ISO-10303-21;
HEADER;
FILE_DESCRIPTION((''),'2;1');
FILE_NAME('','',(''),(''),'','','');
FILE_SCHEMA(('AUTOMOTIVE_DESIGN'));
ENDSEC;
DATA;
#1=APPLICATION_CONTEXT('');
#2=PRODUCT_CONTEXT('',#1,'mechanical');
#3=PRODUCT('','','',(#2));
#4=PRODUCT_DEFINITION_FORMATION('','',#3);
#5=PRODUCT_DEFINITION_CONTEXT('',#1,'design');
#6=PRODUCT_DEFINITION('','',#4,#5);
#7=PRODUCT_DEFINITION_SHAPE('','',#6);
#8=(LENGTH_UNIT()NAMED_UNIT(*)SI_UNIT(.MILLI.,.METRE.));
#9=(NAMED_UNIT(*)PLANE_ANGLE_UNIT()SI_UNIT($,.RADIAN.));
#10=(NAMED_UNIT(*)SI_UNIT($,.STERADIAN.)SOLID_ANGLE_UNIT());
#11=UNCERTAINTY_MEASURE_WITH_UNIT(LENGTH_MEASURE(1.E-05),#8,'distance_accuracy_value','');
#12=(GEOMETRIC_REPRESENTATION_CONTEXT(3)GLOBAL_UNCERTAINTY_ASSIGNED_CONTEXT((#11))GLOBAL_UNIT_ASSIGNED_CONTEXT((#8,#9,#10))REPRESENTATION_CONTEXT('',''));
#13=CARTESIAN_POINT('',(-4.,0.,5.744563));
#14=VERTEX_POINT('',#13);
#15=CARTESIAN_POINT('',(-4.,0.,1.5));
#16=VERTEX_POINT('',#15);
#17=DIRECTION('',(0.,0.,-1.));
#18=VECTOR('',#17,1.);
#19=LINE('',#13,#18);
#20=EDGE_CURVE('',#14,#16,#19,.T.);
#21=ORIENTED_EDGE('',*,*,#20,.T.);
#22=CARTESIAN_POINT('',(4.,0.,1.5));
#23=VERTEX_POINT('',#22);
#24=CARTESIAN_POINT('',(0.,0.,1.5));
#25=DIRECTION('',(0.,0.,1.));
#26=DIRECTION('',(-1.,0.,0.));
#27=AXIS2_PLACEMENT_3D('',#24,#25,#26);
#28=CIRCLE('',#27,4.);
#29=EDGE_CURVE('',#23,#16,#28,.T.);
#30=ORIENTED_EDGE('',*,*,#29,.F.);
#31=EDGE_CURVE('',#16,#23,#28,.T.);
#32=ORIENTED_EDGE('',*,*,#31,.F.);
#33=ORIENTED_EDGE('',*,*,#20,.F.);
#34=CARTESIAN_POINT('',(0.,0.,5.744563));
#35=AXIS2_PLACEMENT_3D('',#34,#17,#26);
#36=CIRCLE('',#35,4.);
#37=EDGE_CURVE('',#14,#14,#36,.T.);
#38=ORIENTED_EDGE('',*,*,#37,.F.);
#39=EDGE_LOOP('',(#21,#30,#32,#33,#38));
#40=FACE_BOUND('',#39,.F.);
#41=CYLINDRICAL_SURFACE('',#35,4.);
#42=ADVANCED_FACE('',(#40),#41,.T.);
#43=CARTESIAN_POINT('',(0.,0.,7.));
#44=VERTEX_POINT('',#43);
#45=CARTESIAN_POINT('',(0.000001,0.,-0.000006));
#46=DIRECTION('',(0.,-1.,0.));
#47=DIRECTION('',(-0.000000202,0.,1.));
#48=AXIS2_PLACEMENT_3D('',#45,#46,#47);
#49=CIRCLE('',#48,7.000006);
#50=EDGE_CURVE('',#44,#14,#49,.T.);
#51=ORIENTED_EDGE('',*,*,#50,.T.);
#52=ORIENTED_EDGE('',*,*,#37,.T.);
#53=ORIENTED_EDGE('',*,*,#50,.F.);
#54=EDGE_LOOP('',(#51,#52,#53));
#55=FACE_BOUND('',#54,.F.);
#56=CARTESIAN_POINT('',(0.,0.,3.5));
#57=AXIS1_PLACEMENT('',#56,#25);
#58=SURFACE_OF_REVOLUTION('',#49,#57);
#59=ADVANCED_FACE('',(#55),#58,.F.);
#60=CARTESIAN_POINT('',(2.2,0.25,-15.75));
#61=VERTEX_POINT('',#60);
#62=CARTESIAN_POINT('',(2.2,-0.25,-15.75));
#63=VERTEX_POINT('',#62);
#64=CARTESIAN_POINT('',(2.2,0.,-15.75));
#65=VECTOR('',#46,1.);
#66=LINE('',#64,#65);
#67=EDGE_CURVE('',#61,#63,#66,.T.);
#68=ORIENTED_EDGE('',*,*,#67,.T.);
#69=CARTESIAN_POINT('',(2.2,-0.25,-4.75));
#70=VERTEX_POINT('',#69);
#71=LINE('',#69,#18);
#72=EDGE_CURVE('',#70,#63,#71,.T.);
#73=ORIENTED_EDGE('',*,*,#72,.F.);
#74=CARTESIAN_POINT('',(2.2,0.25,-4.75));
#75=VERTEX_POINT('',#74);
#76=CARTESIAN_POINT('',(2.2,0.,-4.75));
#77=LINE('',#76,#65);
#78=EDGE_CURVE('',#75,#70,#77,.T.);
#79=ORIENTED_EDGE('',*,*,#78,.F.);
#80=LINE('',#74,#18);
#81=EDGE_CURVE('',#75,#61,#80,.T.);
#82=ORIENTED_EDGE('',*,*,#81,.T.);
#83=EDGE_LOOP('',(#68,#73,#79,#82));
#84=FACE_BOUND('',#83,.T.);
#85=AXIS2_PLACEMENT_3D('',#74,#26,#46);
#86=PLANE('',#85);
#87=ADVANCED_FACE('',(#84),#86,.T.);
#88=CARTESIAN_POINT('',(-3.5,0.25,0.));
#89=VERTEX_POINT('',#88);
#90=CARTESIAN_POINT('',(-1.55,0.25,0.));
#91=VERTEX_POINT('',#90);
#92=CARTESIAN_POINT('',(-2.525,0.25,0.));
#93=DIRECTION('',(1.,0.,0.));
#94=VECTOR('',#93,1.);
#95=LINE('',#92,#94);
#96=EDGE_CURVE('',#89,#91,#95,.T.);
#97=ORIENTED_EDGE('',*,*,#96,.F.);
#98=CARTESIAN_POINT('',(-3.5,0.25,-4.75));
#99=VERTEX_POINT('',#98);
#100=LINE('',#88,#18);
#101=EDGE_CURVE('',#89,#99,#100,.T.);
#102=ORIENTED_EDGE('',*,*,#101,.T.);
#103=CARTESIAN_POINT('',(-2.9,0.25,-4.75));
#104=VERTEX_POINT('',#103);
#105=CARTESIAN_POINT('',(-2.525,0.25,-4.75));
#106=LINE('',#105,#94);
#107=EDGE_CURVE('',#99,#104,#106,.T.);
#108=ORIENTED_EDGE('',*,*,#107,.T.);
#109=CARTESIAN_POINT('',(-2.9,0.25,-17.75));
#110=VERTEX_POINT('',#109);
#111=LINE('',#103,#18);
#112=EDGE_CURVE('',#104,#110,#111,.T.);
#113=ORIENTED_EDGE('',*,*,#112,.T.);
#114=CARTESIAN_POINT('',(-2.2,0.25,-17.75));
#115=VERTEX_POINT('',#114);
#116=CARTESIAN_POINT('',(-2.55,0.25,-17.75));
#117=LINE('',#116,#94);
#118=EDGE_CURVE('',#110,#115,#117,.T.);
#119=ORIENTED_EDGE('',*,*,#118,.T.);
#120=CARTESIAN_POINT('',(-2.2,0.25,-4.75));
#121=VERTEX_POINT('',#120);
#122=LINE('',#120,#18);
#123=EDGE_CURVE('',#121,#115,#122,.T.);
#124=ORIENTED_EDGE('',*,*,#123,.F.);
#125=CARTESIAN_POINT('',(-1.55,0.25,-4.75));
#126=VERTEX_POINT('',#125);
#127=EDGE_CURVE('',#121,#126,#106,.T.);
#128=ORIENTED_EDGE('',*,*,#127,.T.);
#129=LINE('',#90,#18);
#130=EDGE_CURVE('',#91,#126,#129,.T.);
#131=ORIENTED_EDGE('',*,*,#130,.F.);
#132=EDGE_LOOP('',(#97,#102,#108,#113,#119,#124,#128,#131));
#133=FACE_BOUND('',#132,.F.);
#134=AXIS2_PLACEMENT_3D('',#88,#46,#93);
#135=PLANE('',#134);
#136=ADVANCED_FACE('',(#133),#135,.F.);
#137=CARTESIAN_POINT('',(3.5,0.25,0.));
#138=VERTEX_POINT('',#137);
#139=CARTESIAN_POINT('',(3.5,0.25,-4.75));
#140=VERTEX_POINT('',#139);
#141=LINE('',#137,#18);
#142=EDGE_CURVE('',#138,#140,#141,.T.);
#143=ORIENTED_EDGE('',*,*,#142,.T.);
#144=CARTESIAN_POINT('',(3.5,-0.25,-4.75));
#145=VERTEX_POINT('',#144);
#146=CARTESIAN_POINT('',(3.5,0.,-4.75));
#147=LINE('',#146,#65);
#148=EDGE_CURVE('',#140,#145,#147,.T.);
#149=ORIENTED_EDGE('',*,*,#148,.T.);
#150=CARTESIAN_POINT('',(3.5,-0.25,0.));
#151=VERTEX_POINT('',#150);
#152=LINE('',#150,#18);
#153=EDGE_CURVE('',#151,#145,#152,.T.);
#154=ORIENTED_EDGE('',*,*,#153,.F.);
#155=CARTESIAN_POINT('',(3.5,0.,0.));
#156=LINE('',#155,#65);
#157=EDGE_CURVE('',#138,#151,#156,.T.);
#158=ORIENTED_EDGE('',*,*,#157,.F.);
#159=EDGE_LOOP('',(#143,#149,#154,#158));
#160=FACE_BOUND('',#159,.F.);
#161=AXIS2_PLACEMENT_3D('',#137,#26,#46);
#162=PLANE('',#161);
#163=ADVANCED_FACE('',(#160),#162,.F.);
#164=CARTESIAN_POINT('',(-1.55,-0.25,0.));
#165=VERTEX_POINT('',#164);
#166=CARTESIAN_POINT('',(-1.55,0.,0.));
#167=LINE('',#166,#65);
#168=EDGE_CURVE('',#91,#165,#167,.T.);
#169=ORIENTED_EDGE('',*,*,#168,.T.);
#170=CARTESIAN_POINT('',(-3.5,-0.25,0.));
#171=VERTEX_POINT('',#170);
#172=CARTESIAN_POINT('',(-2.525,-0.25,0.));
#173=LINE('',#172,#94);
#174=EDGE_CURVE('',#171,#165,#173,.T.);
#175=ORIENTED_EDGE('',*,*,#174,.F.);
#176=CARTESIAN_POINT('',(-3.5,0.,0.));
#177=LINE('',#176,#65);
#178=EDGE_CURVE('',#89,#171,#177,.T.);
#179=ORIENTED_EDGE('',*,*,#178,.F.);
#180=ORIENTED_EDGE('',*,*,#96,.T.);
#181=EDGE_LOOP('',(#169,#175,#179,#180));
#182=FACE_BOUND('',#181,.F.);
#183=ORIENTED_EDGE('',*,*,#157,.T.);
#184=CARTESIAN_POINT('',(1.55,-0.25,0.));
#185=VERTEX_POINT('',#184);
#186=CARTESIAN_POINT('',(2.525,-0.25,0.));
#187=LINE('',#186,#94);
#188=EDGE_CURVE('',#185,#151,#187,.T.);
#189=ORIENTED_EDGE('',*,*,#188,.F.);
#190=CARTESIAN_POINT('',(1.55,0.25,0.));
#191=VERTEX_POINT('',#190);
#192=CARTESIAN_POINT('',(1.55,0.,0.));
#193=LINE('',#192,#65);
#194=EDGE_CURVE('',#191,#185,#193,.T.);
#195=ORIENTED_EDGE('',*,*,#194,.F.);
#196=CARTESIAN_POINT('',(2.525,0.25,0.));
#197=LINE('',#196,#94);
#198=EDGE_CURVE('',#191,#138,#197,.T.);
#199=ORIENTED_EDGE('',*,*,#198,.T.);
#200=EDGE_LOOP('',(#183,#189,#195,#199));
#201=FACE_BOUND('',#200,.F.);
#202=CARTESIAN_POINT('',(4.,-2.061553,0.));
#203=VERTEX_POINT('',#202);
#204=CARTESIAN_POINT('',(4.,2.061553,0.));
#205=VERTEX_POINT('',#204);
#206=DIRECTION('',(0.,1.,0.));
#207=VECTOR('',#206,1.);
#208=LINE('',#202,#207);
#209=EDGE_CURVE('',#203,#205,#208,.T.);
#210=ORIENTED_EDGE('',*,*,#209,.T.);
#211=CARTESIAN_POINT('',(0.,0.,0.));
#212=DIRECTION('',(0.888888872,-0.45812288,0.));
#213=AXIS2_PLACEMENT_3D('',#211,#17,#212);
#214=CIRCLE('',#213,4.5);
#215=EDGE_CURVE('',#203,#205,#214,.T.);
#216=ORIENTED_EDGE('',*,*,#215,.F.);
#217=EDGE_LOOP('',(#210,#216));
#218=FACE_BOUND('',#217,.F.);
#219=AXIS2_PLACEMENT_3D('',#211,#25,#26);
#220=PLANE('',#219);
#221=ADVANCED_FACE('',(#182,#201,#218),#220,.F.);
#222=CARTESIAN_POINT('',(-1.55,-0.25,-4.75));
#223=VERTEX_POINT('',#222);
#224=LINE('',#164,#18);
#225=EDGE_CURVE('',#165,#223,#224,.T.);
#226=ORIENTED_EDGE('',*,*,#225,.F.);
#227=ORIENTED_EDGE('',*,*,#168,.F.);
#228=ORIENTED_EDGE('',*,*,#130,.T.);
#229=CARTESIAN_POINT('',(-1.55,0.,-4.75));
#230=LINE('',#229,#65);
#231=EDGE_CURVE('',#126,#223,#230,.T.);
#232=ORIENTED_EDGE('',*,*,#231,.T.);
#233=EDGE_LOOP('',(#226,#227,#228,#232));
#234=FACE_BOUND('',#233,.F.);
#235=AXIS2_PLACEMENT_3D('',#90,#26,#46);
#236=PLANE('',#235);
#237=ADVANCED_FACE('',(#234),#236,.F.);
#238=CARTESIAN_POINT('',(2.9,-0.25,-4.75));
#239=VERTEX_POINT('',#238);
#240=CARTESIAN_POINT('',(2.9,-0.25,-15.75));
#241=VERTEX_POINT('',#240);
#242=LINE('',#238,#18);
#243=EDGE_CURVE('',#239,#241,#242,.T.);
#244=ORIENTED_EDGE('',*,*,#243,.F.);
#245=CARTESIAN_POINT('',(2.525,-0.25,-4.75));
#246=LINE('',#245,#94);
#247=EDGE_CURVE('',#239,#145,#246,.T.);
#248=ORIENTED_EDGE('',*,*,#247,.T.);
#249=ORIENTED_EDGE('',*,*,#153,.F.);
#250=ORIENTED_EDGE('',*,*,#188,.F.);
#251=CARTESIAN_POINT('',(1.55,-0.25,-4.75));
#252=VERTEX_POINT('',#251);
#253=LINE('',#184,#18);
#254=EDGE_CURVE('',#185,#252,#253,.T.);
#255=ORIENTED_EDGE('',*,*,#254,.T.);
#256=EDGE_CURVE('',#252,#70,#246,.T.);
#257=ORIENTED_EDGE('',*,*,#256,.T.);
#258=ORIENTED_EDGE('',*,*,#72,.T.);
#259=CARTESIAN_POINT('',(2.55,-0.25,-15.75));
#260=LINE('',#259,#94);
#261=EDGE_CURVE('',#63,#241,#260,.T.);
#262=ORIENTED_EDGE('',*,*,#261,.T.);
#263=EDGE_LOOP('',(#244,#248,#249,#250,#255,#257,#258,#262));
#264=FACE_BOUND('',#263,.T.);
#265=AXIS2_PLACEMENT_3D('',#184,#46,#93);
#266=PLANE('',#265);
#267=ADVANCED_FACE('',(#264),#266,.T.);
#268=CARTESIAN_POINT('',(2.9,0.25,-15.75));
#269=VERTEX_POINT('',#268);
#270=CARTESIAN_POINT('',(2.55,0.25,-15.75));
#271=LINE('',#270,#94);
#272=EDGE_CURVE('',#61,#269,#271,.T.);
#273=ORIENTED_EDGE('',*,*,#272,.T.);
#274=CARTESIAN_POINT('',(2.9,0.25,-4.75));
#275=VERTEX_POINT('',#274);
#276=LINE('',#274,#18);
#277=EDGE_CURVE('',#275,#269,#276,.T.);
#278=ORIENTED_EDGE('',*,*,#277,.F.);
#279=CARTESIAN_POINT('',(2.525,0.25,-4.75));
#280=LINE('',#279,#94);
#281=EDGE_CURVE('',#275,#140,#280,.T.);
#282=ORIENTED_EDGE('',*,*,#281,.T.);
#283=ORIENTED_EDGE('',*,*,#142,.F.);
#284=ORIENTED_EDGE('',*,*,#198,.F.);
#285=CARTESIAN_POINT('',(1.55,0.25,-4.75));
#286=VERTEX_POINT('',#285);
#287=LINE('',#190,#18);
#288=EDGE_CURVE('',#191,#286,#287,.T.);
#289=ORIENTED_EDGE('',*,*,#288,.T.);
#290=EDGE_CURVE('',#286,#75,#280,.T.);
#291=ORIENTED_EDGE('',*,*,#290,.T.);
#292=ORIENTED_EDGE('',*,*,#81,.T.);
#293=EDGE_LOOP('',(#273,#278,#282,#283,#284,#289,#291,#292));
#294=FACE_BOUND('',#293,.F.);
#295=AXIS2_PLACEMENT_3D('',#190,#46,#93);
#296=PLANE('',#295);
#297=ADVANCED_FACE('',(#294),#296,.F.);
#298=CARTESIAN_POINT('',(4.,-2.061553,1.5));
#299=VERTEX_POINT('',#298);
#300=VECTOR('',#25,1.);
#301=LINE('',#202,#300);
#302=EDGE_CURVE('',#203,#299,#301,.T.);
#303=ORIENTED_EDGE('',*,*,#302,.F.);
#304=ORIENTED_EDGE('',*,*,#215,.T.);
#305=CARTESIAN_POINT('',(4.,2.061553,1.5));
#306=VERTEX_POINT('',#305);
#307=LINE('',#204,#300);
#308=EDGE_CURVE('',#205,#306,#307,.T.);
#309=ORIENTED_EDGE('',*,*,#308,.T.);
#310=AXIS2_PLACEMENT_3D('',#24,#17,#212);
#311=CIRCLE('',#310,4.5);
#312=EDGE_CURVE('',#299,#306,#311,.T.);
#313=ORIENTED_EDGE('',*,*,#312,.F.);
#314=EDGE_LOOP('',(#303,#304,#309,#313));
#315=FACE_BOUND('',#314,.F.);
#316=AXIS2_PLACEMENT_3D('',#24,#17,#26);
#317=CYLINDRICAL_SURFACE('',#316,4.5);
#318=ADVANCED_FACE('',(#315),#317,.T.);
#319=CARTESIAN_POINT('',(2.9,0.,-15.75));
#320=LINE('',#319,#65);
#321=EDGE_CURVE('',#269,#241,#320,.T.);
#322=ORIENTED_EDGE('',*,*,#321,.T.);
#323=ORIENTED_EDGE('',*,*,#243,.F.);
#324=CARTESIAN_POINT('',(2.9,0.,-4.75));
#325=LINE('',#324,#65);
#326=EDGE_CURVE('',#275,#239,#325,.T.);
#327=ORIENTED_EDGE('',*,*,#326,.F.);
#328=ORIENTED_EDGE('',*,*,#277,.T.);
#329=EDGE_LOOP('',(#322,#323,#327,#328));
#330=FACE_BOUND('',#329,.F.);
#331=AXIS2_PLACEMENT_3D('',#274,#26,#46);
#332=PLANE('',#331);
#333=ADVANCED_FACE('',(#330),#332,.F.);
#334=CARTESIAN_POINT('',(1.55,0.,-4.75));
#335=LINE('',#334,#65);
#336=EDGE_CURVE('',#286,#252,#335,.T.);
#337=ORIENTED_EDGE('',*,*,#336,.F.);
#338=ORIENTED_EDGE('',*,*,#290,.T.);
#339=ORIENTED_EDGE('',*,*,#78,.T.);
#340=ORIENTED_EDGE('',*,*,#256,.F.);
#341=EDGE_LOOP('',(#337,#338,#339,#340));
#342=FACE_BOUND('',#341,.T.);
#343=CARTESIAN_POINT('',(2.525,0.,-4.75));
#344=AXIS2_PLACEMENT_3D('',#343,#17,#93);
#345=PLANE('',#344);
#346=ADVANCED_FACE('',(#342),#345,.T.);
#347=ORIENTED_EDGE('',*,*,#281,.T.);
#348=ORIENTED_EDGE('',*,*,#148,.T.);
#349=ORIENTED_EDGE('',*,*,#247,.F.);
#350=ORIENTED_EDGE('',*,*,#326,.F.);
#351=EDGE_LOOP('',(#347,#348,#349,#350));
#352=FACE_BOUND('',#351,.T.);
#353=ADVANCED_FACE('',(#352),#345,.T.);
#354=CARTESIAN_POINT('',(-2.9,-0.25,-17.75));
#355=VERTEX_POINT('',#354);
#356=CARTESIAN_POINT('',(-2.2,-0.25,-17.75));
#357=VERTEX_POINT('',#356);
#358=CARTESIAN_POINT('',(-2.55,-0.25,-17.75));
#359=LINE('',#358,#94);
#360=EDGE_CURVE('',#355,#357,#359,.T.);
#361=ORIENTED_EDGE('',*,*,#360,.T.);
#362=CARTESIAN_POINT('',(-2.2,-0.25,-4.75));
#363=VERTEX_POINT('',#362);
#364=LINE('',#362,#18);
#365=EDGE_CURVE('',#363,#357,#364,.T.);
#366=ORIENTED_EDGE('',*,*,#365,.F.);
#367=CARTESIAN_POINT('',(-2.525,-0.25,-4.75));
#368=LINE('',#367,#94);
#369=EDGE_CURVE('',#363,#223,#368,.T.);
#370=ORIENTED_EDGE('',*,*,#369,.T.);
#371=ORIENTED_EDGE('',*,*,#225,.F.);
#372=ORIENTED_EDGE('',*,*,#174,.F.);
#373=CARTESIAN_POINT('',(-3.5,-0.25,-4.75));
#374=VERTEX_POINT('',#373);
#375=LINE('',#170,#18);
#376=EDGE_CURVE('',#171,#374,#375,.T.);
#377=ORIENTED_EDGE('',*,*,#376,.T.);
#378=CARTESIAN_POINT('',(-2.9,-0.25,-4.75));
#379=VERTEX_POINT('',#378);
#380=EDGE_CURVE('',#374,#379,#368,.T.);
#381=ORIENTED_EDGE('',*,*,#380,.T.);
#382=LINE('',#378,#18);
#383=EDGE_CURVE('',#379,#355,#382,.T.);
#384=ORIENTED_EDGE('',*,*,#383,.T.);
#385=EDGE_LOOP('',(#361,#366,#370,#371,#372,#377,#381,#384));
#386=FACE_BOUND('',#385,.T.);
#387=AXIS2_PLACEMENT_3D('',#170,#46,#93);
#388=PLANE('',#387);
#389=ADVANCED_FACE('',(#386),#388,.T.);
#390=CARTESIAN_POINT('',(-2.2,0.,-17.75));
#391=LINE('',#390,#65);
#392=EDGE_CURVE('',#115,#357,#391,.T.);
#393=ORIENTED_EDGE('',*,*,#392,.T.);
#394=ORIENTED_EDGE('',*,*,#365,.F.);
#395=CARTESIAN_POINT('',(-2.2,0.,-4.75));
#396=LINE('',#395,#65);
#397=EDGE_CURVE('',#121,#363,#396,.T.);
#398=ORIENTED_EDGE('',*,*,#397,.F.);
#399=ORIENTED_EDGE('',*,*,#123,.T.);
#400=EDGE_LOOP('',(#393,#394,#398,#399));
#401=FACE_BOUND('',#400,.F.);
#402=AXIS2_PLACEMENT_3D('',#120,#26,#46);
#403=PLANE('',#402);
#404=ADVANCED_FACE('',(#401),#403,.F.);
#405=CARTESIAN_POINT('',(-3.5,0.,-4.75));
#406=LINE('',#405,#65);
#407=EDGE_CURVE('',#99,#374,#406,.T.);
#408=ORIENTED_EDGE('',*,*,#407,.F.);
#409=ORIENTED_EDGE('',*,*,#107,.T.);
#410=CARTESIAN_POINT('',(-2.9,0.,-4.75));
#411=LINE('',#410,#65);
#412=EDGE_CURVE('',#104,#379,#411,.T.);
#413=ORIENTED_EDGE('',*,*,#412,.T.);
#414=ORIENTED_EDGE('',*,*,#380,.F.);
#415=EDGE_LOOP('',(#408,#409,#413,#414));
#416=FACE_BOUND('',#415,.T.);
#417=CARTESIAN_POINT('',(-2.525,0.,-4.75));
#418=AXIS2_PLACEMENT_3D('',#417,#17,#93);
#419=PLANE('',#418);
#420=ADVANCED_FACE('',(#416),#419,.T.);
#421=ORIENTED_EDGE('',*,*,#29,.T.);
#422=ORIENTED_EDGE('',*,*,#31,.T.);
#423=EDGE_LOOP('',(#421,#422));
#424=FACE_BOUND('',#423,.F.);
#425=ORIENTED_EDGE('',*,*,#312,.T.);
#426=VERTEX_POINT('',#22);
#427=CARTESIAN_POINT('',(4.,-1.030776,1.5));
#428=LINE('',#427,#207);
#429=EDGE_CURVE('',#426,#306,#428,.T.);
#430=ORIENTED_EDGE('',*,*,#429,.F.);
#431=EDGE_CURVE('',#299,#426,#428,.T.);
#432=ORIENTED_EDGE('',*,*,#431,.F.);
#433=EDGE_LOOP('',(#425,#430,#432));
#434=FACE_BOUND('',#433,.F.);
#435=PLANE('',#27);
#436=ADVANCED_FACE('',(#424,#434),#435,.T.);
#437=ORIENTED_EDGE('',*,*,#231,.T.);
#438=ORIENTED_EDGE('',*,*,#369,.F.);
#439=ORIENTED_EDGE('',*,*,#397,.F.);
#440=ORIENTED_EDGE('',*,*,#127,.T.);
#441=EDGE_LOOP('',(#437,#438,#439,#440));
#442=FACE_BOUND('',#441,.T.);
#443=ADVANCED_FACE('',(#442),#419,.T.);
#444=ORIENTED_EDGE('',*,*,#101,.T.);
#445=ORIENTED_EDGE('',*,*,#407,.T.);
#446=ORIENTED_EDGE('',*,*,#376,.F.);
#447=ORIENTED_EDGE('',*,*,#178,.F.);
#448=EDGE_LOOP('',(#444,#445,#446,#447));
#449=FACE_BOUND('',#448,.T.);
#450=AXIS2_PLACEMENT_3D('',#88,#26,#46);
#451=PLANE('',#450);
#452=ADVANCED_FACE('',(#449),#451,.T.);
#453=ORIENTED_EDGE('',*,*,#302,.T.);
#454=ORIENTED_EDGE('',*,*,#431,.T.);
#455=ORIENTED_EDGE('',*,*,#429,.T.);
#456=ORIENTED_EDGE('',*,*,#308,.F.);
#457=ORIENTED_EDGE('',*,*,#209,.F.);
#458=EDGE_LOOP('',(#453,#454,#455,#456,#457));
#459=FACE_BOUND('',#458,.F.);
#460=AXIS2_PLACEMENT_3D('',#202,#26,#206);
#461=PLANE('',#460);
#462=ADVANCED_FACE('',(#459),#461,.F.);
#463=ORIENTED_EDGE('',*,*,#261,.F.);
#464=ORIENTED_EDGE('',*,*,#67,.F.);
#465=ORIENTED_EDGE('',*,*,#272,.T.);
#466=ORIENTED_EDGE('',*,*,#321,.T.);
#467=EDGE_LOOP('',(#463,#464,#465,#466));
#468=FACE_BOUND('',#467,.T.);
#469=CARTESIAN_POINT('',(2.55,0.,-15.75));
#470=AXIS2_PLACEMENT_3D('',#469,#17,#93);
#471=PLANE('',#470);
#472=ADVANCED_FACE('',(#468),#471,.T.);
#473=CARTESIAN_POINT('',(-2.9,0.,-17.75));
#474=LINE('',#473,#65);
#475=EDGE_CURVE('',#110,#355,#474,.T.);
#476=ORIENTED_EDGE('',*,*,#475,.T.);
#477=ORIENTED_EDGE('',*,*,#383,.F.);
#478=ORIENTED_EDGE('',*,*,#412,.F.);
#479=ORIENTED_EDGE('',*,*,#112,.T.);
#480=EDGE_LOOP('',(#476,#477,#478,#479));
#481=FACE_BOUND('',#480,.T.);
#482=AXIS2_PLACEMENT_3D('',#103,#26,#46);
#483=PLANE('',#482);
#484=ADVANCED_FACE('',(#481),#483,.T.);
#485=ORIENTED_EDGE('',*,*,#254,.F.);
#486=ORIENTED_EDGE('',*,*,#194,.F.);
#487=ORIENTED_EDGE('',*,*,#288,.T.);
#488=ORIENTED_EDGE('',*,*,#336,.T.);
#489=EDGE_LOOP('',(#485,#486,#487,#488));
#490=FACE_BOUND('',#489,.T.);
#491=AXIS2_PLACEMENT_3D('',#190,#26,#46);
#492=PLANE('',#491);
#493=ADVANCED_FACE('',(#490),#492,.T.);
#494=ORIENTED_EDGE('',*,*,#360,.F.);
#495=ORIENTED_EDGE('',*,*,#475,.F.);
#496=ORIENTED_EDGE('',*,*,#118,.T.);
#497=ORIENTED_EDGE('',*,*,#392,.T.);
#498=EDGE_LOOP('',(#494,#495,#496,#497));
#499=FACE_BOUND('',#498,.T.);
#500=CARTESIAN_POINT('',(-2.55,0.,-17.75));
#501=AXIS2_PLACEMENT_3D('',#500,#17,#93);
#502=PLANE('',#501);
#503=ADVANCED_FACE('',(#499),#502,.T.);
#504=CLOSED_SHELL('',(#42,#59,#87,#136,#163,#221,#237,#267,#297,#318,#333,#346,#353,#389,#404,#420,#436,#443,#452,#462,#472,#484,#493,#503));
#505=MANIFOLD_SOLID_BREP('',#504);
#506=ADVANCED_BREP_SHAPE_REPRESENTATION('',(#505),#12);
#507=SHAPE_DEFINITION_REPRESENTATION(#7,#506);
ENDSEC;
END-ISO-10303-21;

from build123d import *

# Parameters (mm, degrees)
F3_DEPTH = 7.001
F4_W     = 1.95
F4_H     = 0.5
F5_DEPTH = 4.75
F6_W     = 0.7
F6_H     = 0.5
F7_DEPTH = 11
F8_W     = 0.7
F8_H     = 0.5
F9_DEPTH = 13


with BuildPart() as f1:
    # F0 (on Front) → F1 (revolve)
    with BuildSketch(Plane.XZ):
        with BuildLine():
            Line((-4.5, 0), (0, 0))
            Line((0, 0), (0, 7))
            ThreePointArc((0, 7), (-2.096194, 6.67877), (-4, 5.744563))
            Line((-4, 5.744563), (-4, 1.5))
            Line((-4, 1.5), (-4.5, 1.5))
            Line((-4.5, 1.5), (-4.5, 0))
        make_face()
    revolve(axis=Axis((0, 0, 3.5), (0, 0, 1)))

    # F2 (on face) → F3 (cut, through all)
    with BuildSketch(Plane(origin=(0, 0, 0), x_dir=(1, 0, 0), z_dir=(0, 0, -1))):
        with BuildLine():
            ThreePointArc((4, -2.061553), (4.5, 0), (4, 2.061553))
            Line((4, 2.061553), (4, -2.061553))
        make_face()
    extrude(amount=-F3_DEPTH, mode=Mode.SUBTRACT)

    # F4 (on face) → F5 (join)
    with BuildSketch(Plane(origin=(0, 0, 0), x_dir=(1, 0, 0), z_dir=(0, 0, -1))):
        with Locations((2.525, 0)):
            Rectangle(F4_W, F4_H)
        with Locations((-2.525, 0)):
            Rectangle(F4_W, F4_H)
    extrude(amount=F5_DEPTH)

    # F6 (on face) → F7 (join)
    with BuildSketch(Plane(origin=(0, 0, -4.75), x_dir=(1, 0, 0), z_dir=(0, 0, -1))):
        with Locations((2.55, 0)):
            Rectangle(F6_W, F6_H)
    extrude(amount=F7_DEPTH)

    # F8 (on face) → F9 (join)
    with BuildSketch(Plane(origin=(0, 0, -4.75), x_dir=(1, 0, 0), z_dir=(0, 0, -1))):
        with Locations((-2.55, 0)):
            Rectangle(F8_W, F8_H)
    extrude(amount=F9_DEPTH)


with BuildPart() as f10_1:
    # F10: copy of F1
    add(f1.part)


solid = f1.part
